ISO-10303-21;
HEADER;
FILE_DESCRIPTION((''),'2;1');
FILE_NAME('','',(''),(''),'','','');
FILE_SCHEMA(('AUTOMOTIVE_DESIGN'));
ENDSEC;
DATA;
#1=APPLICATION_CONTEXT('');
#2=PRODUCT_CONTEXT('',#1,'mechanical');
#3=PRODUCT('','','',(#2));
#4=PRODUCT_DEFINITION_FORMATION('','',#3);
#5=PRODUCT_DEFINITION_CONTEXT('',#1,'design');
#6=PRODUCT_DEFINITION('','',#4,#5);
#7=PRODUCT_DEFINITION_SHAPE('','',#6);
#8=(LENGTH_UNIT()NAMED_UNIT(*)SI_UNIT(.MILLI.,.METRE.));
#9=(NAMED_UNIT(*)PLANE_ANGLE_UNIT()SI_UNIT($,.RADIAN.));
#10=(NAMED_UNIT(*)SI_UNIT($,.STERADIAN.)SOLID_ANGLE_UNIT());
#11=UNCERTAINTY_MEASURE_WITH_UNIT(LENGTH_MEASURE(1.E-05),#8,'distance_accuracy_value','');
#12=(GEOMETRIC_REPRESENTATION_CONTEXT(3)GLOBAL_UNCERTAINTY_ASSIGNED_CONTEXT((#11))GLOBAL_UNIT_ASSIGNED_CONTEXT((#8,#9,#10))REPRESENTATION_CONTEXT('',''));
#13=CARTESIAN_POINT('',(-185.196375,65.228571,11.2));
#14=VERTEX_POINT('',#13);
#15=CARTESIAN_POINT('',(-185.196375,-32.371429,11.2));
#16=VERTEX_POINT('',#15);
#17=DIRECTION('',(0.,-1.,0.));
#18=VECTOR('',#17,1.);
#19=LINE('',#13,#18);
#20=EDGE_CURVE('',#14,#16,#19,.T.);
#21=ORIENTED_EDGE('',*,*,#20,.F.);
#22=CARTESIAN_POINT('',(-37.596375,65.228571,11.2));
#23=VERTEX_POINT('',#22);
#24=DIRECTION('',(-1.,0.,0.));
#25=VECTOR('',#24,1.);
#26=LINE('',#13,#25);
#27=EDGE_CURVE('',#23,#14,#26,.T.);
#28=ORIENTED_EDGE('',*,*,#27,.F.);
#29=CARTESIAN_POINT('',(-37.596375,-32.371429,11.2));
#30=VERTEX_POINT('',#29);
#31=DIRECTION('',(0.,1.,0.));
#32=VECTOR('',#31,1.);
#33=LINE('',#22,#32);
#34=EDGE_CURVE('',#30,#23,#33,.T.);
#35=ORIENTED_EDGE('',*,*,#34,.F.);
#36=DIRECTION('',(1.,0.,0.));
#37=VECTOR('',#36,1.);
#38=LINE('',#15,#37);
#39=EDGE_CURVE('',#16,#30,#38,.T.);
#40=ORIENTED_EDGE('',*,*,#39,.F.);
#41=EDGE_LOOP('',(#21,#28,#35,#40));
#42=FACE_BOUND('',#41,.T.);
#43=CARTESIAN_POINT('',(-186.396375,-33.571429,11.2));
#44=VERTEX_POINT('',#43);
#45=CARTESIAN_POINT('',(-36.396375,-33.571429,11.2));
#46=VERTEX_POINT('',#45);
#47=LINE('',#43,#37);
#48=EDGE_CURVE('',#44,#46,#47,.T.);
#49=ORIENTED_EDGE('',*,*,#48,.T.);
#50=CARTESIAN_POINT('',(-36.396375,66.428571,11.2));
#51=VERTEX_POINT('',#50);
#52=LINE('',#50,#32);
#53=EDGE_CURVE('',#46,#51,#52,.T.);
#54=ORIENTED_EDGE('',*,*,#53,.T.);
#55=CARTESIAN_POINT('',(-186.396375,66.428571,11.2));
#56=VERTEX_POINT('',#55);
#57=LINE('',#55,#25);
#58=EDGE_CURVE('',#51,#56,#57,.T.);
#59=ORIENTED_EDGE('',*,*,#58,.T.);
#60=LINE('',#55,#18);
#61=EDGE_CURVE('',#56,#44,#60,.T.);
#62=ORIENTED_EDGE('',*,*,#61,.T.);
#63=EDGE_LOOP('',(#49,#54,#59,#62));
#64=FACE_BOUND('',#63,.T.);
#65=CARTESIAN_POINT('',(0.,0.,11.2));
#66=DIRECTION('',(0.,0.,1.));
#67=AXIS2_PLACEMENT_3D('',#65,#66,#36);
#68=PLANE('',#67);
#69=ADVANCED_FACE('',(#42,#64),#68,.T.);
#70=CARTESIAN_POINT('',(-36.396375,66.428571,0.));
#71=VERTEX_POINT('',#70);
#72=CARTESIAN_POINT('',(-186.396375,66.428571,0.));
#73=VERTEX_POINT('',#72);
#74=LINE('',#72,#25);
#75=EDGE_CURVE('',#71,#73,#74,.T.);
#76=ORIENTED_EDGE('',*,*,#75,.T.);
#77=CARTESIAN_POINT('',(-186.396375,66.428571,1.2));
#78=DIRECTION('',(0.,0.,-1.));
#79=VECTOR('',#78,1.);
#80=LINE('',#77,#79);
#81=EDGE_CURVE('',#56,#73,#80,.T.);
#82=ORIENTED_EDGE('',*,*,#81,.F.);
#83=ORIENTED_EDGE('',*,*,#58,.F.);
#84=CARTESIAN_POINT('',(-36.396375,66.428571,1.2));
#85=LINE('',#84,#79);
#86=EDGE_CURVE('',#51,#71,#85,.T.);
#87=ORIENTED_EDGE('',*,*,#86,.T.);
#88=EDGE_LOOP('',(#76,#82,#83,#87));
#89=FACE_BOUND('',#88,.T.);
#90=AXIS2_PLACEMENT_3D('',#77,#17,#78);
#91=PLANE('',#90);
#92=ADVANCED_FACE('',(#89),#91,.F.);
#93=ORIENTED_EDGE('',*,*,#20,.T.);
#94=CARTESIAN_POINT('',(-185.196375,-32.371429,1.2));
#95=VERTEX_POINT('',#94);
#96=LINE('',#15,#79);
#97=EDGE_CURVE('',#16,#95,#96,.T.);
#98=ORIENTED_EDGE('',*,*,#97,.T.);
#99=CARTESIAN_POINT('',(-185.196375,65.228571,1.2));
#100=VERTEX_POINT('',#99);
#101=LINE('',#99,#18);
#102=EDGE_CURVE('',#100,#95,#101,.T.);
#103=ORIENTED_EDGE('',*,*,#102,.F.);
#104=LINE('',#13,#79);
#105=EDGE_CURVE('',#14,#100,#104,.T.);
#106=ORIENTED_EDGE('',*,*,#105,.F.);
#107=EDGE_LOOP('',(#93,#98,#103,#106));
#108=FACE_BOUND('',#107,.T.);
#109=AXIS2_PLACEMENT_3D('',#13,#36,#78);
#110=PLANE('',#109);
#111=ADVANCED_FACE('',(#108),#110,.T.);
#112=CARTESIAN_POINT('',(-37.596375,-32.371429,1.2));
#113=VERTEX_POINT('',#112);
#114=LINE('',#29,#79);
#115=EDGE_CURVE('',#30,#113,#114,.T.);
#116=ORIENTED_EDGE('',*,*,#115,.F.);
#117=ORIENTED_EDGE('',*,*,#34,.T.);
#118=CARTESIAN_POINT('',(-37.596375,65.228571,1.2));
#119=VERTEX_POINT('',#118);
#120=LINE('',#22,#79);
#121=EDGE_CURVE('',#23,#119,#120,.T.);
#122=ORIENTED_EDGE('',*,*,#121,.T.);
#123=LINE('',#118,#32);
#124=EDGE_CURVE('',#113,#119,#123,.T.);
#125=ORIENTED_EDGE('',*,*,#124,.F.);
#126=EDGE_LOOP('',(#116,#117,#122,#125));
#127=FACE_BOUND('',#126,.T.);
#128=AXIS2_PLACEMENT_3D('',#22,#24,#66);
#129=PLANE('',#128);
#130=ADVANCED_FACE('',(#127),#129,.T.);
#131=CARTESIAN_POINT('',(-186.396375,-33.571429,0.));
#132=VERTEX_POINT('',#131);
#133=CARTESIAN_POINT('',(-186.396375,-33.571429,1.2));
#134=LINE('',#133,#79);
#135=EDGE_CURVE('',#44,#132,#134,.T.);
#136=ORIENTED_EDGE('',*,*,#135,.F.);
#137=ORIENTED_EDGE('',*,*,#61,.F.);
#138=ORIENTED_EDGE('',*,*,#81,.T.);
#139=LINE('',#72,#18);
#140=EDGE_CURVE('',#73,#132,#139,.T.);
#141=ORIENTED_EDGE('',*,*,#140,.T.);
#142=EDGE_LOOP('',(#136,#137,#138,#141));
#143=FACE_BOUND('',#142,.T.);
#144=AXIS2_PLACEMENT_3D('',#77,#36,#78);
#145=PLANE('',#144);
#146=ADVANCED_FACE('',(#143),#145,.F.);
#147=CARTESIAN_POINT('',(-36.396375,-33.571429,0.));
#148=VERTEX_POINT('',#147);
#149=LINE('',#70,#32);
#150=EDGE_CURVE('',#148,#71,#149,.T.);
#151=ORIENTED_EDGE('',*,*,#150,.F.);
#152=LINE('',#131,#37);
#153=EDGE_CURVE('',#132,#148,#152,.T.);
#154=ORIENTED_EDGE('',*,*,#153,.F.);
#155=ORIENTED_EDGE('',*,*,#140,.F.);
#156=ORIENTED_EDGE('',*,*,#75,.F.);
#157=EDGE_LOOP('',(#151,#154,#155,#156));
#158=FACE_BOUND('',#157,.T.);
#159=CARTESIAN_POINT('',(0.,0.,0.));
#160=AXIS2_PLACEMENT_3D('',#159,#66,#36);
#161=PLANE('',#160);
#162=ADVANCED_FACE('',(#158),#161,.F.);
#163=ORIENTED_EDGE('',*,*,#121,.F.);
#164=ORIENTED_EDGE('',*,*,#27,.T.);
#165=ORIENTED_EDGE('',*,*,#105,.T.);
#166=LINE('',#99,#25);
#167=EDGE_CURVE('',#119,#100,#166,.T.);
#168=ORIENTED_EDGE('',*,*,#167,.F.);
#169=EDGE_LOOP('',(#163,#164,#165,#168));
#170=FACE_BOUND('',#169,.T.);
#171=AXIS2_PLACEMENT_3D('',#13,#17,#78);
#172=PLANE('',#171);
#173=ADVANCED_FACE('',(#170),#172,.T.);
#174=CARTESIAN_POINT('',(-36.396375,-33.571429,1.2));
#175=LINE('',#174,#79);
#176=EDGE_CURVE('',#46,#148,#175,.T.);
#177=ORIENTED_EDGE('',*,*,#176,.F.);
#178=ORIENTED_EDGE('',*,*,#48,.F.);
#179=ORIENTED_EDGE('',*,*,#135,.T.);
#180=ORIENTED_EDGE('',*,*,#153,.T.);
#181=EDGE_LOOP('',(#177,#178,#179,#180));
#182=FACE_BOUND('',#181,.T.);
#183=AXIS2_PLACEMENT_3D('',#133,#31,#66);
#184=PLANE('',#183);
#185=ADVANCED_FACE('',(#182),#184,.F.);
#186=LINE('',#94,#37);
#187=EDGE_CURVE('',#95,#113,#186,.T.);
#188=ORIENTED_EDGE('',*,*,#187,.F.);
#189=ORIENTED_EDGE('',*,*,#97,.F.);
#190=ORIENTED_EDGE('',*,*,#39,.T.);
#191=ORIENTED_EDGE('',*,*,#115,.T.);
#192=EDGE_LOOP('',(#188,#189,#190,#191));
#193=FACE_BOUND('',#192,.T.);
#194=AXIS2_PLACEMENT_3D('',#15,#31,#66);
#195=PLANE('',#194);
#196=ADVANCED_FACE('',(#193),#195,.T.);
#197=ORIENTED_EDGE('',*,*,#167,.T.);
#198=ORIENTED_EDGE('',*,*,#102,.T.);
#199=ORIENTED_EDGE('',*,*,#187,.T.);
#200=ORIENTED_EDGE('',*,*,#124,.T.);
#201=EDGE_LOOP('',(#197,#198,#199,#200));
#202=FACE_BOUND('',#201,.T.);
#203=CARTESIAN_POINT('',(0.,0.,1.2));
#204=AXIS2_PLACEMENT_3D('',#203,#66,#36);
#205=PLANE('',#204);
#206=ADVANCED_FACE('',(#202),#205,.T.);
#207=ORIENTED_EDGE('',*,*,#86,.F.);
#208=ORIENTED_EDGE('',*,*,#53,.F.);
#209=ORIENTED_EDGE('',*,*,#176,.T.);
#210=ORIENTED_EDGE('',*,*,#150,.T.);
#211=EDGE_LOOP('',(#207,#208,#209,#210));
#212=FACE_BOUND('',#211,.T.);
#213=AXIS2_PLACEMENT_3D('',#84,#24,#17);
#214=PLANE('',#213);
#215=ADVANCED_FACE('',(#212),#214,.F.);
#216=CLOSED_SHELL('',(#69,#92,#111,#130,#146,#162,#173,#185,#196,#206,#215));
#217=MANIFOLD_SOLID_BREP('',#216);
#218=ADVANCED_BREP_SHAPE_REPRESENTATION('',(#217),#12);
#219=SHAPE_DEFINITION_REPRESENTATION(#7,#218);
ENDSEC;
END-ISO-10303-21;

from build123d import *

# Parameters (mm, degrees)
CROQUIS1_W              = 150
CROQUIS1_H              = 100
SALIENTE_EXTRUIR1_DEPTH = 1.2
CROQUIS2_W              = 150
CROQUIS2_H              = 100
CROQUIS2_W_2            = 147.6
CROQUIS2_H_2            = 97.6
SALIENTE_EXTRUIR2_DEPTH = 10


with BuildPart() as part:
    # Croquis1 → Saliente-Extruir1 (new body)
    with BuildSketch(Plane.XY):
        with Locations((-111.396374911, 16.428571429)):
            Rectangle(CROQUIS1_W, CROQUIS1_H)
    extrude(amount=SALIENTE_EXTRUIR1_DEPTH)

    # Croquis2 → Saliente-Extruir2 (add)
    with BuildSketch(Plane.XY.offset(1.2)):
        with Locations((-111.396374911, 16.428571429)):
            Rectangle(CROQUIS2_W, CROQUIS2_H)
        with Locations((-111.396374911, 16.428571429)):
            Rectangle(CROQUIS2_W_2, CROQUIS2_H_2, mode=Mode.SUBTRACT)
    extrude(amount=SALIENTE_EXTRUIR2_DEPTH)


solid = part.part
